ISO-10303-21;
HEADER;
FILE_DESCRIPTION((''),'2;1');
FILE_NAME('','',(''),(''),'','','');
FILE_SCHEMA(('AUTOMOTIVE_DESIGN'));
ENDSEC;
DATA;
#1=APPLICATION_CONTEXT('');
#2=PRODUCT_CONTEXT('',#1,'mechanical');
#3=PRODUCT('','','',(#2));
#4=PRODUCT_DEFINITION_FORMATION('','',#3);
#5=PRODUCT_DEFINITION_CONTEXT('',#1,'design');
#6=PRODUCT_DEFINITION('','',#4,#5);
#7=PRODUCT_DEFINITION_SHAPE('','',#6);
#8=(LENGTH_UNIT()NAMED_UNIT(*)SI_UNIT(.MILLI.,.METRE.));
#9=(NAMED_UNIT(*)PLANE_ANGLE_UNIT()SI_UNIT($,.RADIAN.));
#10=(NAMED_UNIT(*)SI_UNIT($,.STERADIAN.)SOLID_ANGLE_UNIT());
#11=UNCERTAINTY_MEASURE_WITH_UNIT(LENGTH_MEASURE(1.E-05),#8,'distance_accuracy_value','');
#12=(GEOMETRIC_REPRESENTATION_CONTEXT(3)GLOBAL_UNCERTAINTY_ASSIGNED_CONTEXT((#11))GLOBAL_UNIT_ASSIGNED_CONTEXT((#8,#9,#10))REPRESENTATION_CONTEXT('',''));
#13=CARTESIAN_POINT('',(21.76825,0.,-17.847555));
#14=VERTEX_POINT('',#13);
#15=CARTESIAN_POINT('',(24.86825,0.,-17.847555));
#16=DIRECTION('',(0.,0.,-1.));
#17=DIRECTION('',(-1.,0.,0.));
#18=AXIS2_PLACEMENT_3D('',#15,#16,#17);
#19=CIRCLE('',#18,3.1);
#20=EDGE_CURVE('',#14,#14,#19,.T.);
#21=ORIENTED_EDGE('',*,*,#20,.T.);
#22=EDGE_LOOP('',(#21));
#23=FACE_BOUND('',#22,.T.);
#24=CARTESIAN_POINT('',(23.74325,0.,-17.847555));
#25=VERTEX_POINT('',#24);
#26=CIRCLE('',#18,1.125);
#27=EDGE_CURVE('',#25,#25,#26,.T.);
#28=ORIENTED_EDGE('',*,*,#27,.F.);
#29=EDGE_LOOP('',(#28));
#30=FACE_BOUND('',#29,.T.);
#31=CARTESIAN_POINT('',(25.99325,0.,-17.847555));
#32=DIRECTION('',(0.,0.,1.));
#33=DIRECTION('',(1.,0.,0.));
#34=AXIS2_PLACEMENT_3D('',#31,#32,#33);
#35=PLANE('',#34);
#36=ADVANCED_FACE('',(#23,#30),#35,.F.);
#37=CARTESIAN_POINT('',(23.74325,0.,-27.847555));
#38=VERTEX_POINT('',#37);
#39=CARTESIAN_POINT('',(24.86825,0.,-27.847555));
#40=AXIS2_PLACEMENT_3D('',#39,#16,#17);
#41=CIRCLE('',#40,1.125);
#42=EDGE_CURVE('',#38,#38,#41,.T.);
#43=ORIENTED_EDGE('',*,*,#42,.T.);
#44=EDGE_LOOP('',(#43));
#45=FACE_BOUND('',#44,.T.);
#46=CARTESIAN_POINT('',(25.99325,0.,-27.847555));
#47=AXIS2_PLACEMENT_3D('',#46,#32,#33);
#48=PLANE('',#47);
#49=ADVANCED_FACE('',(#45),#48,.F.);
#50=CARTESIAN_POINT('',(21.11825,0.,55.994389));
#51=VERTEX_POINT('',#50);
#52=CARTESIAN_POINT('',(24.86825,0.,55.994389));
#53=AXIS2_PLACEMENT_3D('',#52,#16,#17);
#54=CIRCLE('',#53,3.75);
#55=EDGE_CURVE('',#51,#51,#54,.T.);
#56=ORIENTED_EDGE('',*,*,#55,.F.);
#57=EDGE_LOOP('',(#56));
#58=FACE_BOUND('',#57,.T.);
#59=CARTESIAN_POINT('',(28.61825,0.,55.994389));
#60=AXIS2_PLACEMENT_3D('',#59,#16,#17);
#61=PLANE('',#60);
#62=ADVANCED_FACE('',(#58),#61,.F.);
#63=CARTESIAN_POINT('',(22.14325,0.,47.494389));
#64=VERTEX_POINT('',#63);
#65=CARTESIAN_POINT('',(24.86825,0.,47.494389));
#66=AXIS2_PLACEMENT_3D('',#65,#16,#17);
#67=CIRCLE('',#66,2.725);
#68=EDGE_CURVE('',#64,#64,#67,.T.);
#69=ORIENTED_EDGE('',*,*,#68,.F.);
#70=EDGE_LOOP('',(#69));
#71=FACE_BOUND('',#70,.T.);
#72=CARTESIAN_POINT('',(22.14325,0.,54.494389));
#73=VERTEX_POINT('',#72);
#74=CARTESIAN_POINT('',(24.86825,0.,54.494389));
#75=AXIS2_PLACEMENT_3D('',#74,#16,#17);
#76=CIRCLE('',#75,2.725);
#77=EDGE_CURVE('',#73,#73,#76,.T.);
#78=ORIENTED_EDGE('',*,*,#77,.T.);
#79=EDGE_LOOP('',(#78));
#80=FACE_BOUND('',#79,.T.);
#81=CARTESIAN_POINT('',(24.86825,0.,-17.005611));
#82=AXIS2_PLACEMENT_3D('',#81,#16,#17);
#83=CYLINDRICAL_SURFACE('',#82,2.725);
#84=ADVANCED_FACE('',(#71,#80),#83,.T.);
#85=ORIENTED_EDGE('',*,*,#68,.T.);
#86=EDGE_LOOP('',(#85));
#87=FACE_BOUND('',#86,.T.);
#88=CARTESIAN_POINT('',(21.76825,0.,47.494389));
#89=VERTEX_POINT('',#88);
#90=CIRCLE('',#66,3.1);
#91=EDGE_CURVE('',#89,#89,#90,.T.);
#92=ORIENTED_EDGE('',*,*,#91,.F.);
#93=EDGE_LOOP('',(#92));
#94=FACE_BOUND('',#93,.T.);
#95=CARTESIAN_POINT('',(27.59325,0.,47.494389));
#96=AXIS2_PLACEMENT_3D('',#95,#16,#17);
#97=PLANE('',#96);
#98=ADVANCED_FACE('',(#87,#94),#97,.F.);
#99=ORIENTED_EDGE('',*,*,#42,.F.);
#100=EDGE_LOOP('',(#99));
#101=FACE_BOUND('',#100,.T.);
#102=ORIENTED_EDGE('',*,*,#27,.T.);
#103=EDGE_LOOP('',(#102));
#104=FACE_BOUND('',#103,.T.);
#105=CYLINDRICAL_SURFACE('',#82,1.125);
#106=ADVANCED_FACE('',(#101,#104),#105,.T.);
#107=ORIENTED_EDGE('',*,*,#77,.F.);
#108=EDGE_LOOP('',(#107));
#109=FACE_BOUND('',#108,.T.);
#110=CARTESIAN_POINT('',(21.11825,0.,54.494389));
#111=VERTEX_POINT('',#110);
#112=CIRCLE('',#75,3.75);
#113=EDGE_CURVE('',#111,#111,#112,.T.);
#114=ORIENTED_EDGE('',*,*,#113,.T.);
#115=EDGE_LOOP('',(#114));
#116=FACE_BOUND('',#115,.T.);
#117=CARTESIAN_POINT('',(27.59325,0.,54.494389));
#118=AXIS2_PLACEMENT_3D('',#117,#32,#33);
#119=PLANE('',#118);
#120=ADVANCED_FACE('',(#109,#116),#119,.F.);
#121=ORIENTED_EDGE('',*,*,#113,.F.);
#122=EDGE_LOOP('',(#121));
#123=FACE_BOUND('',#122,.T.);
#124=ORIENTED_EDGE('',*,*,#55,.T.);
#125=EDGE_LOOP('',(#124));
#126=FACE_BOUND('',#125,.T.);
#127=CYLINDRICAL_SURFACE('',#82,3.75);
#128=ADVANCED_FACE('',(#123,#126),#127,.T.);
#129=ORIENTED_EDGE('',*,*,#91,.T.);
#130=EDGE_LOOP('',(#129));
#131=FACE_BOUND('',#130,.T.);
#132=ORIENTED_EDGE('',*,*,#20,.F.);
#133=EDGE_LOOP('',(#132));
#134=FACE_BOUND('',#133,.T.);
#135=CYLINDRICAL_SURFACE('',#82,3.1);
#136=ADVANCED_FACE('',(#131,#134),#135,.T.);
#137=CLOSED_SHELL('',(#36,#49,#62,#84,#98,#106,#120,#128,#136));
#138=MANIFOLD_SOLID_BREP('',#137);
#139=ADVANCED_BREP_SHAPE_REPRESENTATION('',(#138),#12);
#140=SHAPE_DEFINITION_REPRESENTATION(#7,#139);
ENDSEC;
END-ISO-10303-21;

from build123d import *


with BuildPart() as part:
    # Sketch2 → Revolve4 (revolve)
    with BuildSketch(Plane(origin=(0, 0, 0), x_dir=(1, 0, 0), z_dir=(0, 1, 0))):
        Polygon((24.868249983, 17.00561082), (24.868249983, -55.99438918), (28.618249983, -55.99438918), (28.618249983, -54.49438918), (27.593249983, -54.49438918), (27.593249983, -47.49438918), (27.968249983, -47.49438918), (27.968249983, 17.8475545), (25.993249983, 17.8475545), (25.993249983, 27.8475545), (24.868249983, 27.8475545), align=None)
    revolve(axis=Axis((24.868249983, 0, -17.00561082), (0, 0, 1)))


solid = part.part
